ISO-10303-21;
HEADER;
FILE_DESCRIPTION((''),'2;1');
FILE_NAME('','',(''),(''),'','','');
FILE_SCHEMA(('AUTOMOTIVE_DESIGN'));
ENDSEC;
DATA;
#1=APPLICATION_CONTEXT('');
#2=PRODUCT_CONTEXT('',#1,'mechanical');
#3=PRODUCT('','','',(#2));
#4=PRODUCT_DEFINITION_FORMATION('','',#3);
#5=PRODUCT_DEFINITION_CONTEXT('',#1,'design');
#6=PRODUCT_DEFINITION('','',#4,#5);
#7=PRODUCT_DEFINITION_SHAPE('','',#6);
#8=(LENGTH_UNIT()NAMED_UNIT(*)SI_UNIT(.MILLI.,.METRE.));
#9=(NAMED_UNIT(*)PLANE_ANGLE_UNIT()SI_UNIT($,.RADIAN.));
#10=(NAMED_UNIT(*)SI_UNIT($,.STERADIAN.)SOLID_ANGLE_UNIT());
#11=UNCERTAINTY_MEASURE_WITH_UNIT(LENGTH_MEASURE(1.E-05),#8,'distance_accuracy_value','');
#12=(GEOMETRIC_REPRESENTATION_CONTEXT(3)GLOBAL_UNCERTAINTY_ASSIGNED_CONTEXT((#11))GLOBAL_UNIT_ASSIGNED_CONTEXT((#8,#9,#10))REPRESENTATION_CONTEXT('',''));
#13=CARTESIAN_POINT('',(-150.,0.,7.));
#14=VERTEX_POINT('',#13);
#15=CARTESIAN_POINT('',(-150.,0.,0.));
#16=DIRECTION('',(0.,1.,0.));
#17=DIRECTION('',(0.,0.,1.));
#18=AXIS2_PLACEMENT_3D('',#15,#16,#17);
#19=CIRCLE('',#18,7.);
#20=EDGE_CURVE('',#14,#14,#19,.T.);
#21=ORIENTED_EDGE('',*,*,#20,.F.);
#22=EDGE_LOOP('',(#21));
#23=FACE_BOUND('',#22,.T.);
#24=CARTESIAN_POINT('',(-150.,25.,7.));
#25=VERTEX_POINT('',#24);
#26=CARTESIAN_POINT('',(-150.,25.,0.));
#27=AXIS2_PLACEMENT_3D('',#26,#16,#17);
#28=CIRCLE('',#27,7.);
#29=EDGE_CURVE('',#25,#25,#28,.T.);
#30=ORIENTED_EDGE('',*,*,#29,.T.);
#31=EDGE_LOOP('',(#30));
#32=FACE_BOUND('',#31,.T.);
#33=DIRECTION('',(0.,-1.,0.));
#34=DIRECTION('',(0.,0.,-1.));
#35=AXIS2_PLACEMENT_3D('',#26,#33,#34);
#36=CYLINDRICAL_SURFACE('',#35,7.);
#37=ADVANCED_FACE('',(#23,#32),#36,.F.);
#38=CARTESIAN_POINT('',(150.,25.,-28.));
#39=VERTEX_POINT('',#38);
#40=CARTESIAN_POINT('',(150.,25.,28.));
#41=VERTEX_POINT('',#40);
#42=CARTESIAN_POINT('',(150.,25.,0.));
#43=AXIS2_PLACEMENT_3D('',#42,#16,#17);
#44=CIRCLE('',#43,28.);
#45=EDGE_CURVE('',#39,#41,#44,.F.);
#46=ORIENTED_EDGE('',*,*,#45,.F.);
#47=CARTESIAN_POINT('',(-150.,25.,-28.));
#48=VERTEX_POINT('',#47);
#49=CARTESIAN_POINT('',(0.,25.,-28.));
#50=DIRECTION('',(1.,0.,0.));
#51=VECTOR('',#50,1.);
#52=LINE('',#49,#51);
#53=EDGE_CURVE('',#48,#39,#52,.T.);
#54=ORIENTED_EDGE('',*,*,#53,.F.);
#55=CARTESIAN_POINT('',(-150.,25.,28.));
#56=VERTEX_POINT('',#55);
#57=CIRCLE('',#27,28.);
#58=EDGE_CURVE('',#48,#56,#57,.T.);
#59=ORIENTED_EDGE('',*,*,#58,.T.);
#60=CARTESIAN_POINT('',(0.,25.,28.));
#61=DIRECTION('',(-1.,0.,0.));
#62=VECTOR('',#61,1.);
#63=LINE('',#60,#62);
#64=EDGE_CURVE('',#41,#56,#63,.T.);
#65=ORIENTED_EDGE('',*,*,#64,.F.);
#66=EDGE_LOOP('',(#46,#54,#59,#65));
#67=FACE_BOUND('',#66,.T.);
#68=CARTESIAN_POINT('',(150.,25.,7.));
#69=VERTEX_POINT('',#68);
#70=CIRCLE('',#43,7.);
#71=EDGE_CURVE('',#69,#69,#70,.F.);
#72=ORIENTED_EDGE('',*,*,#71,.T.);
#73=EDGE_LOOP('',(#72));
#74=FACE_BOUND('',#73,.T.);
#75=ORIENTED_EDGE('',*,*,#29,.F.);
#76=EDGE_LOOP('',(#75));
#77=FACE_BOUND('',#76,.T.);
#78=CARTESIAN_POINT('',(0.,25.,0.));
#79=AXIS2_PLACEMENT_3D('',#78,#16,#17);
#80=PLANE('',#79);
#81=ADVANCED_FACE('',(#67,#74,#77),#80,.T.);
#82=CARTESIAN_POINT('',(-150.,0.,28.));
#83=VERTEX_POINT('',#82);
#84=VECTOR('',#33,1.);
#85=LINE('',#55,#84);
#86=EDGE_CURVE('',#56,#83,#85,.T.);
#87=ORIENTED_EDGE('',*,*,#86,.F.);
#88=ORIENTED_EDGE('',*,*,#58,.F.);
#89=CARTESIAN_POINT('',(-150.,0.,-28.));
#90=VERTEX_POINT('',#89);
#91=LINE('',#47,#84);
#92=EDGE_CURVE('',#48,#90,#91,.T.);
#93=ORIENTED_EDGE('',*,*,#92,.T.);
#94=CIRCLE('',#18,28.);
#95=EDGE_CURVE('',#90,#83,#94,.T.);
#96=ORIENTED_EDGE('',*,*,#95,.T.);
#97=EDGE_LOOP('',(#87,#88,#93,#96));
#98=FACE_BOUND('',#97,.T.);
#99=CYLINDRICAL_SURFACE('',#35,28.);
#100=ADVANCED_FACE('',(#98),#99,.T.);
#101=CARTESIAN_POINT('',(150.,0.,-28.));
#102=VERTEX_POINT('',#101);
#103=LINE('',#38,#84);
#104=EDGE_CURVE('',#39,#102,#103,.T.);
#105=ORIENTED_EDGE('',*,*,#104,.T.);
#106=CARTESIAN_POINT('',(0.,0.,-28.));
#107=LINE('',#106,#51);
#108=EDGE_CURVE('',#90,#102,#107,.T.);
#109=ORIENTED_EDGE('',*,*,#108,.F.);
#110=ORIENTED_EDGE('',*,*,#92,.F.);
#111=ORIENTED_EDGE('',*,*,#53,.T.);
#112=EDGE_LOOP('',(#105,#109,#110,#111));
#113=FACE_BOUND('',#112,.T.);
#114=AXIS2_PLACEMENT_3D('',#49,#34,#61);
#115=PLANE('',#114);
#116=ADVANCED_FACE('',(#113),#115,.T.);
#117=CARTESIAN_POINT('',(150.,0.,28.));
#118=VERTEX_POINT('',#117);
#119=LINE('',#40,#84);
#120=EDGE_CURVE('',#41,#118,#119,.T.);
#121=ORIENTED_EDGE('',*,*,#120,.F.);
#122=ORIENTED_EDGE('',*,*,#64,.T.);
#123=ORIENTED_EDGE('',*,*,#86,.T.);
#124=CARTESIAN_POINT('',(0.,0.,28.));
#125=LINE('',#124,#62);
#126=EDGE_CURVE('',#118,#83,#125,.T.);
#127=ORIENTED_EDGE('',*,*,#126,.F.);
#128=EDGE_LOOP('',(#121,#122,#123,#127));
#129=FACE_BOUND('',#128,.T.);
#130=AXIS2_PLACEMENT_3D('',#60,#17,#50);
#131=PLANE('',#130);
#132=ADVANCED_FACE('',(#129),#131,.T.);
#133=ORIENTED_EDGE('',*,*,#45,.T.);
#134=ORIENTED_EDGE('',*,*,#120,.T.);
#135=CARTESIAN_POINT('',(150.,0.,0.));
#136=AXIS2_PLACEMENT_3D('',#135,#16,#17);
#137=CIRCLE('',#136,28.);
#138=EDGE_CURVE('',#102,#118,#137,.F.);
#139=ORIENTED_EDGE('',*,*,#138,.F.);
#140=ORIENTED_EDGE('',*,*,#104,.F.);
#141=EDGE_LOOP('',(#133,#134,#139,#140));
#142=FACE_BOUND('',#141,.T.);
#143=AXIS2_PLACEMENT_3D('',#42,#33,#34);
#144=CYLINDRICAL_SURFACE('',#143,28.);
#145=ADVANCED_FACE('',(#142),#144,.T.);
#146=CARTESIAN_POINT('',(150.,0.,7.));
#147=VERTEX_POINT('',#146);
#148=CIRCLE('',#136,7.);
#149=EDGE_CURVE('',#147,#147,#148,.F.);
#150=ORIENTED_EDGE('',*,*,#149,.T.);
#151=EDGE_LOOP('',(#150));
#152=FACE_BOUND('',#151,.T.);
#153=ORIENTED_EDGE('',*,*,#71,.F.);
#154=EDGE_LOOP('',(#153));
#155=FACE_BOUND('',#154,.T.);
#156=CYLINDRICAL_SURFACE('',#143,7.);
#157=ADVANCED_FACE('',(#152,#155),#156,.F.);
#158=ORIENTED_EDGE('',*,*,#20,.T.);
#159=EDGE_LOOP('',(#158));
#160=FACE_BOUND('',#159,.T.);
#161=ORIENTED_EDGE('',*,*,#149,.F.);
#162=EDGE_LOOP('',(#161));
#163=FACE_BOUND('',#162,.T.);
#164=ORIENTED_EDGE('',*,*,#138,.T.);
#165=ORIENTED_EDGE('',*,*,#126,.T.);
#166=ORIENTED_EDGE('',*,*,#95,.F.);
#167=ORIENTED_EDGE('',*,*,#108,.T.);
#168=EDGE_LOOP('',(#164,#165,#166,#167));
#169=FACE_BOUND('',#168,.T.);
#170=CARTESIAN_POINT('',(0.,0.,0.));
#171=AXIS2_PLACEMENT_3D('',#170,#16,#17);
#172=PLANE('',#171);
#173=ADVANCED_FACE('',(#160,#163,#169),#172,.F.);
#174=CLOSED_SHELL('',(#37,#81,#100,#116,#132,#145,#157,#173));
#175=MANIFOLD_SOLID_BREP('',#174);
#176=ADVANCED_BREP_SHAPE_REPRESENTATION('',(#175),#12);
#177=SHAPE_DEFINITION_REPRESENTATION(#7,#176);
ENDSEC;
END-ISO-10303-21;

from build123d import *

# Parameters (mm, degrees)
SKETCH_1_R      = 28
SKETCH_1_R_2    = 7
EXTRUDE_1_DEPTH = 25


with BuildPart() as part:
    # 草图1 → 凸台-拉伸1 (new body)
    with BuildSketch(Plane(origin=(0, 0, 0), x_dir=(1, 0, 0), z_dir=(0, 1, 0))):
        with BuildLine():
            Line((150, 28), (-150, 28))
            ThreePointArc((-150, 28), (-130.201010127, 19.798989873), (-122, 0))
            ThreePointArc((-122, 0), (-130.201010127, -19.798989873), (-150, -28))
            Line((-150, -28), (150, -28))
            ThreePointArc((150, -28), (122, 0), (150, 28))
        make_face()
        with Locations((150, 0)):
            Circle(SKETCH_1_R)
        with Locations((150, 0)):
            Circle(SKETCH_1_R_2, mode=Mode.SUBTRACT)
        with Locations((-150, 0)):
            Circle(SKETCH_1_R)
        with Locations((-150, 0)):
            Circle(SKETCH_1_R_2, mode=Mode.SUBTRACT)
    extrude(amount=EXTRUDE_1_DEPTH)


solid = part.part
